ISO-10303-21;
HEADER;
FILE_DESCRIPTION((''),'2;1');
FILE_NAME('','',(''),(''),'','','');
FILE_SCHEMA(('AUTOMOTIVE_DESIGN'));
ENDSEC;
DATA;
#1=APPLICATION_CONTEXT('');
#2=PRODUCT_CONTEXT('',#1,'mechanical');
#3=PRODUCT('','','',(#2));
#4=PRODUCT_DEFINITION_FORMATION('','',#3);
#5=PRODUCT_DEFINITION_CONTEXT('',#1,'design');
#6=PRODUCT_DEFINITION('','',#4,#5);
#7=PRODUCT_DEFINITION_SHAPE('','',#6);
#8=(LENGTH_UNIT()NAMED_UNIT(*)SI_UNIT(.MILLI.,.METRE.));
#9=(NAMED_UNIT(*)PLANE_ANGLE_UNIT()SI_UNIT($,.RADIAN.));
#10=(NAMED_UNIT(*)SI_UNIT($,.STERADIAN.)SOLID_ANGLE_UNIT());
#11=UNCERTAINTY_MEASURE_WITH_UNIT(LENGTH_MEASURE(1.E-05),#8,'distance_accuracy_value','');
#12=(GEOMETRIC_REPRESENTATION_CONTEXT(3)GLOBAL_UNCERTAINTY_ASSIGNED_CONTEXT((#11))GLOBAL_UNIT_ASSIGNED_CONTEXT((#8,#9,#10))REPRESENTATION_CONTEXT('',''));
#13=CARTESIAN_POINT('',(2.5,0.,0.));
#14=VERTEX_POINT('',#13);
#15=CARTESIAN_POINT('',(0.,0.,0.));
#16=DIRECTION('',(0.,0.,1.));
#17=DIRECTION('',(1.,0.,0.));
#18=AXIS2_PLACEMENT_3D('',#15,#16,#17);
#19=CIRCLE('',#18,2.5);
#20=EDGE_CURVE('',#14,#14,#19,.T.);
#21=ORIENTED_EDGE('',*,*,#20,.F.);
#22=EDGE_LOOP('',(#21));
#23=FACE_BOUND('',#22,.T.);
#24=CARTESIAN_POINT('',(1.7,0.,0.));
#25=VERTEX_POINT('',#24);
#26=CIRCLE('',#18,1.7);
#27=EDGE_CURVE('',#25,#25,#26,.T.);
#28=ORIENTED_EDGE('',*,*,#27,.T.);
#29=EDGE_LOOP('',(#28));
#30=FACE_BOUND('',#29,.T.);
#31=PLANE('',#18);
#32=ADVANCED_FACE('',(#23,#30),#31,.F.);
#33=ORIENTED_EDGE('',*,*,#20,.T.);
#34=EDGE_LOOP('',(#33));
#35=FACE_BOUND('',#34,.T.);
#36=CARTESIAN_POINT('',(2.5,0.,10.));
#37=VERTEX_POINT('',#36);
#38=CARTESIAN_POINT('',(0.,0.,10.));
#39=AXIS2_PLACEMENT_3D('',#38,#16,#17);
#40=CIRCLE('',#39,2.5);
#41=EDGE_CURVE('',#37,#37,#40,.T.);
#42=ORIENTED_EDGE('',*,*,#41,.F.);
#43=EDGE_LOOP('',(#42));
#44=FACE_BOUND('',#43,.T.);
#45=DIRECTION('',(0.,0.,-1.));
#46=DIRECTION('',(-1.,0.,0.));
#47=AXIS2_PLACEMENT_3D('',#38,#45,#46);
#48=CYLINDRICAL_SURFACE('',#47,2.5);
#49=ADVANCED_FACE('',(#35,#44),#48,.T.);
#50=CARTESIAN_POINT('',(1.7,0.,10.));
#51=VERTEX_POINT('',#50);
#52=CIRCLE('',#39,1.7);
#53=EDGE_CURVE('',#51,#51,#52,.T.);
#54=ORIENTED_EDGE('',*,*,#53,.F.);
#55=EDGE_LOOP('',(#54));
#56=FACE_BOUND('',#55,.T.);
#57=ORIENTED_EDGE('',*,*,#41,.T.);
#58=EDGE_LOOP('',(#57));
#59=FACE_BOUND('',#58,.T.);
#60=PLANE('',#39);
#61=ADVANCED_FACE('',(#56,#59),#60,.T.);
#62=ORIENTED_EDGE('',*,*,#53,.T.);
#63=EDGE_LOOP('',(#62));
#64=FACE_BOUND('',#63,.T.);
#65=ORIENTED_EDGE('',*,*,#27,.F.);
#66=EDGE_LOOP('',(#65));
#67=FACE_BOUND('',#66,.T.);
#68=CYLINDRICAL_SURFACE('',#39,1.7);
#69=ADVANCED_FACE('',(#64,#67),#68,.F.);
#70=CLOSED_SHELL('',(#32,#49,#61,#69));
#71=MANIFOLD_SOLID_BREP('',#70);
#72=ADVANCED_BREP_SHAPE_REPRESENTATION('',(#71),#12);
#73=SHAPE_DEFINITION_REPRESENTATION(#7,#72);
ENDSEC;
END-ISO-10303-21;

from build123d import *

# Parameters (mm, degrees)
SKETCH1_R            = 2.5
BOSS_EXTRUDE1_DEPTH  = 10
M3_CLEARANCE_HOLE1_D = 3.4


with BuildPart() as part:
    # Sketch1 → Boss-Extrude1 (new body)
    with BuildSketch(Plane.XY):
        Circle(SKETCH1_R)
    extrude(amount=BOSS_EXTRUDE1_DEPTH)

    # M3 Clearance Hole1 (through all)
    with Locations(Plane.XY.offset(10)):
        with Locations((0, 0)):
            Hole(M3_CLEARANCE_HOLE1_D / 2)


solid = part.part
